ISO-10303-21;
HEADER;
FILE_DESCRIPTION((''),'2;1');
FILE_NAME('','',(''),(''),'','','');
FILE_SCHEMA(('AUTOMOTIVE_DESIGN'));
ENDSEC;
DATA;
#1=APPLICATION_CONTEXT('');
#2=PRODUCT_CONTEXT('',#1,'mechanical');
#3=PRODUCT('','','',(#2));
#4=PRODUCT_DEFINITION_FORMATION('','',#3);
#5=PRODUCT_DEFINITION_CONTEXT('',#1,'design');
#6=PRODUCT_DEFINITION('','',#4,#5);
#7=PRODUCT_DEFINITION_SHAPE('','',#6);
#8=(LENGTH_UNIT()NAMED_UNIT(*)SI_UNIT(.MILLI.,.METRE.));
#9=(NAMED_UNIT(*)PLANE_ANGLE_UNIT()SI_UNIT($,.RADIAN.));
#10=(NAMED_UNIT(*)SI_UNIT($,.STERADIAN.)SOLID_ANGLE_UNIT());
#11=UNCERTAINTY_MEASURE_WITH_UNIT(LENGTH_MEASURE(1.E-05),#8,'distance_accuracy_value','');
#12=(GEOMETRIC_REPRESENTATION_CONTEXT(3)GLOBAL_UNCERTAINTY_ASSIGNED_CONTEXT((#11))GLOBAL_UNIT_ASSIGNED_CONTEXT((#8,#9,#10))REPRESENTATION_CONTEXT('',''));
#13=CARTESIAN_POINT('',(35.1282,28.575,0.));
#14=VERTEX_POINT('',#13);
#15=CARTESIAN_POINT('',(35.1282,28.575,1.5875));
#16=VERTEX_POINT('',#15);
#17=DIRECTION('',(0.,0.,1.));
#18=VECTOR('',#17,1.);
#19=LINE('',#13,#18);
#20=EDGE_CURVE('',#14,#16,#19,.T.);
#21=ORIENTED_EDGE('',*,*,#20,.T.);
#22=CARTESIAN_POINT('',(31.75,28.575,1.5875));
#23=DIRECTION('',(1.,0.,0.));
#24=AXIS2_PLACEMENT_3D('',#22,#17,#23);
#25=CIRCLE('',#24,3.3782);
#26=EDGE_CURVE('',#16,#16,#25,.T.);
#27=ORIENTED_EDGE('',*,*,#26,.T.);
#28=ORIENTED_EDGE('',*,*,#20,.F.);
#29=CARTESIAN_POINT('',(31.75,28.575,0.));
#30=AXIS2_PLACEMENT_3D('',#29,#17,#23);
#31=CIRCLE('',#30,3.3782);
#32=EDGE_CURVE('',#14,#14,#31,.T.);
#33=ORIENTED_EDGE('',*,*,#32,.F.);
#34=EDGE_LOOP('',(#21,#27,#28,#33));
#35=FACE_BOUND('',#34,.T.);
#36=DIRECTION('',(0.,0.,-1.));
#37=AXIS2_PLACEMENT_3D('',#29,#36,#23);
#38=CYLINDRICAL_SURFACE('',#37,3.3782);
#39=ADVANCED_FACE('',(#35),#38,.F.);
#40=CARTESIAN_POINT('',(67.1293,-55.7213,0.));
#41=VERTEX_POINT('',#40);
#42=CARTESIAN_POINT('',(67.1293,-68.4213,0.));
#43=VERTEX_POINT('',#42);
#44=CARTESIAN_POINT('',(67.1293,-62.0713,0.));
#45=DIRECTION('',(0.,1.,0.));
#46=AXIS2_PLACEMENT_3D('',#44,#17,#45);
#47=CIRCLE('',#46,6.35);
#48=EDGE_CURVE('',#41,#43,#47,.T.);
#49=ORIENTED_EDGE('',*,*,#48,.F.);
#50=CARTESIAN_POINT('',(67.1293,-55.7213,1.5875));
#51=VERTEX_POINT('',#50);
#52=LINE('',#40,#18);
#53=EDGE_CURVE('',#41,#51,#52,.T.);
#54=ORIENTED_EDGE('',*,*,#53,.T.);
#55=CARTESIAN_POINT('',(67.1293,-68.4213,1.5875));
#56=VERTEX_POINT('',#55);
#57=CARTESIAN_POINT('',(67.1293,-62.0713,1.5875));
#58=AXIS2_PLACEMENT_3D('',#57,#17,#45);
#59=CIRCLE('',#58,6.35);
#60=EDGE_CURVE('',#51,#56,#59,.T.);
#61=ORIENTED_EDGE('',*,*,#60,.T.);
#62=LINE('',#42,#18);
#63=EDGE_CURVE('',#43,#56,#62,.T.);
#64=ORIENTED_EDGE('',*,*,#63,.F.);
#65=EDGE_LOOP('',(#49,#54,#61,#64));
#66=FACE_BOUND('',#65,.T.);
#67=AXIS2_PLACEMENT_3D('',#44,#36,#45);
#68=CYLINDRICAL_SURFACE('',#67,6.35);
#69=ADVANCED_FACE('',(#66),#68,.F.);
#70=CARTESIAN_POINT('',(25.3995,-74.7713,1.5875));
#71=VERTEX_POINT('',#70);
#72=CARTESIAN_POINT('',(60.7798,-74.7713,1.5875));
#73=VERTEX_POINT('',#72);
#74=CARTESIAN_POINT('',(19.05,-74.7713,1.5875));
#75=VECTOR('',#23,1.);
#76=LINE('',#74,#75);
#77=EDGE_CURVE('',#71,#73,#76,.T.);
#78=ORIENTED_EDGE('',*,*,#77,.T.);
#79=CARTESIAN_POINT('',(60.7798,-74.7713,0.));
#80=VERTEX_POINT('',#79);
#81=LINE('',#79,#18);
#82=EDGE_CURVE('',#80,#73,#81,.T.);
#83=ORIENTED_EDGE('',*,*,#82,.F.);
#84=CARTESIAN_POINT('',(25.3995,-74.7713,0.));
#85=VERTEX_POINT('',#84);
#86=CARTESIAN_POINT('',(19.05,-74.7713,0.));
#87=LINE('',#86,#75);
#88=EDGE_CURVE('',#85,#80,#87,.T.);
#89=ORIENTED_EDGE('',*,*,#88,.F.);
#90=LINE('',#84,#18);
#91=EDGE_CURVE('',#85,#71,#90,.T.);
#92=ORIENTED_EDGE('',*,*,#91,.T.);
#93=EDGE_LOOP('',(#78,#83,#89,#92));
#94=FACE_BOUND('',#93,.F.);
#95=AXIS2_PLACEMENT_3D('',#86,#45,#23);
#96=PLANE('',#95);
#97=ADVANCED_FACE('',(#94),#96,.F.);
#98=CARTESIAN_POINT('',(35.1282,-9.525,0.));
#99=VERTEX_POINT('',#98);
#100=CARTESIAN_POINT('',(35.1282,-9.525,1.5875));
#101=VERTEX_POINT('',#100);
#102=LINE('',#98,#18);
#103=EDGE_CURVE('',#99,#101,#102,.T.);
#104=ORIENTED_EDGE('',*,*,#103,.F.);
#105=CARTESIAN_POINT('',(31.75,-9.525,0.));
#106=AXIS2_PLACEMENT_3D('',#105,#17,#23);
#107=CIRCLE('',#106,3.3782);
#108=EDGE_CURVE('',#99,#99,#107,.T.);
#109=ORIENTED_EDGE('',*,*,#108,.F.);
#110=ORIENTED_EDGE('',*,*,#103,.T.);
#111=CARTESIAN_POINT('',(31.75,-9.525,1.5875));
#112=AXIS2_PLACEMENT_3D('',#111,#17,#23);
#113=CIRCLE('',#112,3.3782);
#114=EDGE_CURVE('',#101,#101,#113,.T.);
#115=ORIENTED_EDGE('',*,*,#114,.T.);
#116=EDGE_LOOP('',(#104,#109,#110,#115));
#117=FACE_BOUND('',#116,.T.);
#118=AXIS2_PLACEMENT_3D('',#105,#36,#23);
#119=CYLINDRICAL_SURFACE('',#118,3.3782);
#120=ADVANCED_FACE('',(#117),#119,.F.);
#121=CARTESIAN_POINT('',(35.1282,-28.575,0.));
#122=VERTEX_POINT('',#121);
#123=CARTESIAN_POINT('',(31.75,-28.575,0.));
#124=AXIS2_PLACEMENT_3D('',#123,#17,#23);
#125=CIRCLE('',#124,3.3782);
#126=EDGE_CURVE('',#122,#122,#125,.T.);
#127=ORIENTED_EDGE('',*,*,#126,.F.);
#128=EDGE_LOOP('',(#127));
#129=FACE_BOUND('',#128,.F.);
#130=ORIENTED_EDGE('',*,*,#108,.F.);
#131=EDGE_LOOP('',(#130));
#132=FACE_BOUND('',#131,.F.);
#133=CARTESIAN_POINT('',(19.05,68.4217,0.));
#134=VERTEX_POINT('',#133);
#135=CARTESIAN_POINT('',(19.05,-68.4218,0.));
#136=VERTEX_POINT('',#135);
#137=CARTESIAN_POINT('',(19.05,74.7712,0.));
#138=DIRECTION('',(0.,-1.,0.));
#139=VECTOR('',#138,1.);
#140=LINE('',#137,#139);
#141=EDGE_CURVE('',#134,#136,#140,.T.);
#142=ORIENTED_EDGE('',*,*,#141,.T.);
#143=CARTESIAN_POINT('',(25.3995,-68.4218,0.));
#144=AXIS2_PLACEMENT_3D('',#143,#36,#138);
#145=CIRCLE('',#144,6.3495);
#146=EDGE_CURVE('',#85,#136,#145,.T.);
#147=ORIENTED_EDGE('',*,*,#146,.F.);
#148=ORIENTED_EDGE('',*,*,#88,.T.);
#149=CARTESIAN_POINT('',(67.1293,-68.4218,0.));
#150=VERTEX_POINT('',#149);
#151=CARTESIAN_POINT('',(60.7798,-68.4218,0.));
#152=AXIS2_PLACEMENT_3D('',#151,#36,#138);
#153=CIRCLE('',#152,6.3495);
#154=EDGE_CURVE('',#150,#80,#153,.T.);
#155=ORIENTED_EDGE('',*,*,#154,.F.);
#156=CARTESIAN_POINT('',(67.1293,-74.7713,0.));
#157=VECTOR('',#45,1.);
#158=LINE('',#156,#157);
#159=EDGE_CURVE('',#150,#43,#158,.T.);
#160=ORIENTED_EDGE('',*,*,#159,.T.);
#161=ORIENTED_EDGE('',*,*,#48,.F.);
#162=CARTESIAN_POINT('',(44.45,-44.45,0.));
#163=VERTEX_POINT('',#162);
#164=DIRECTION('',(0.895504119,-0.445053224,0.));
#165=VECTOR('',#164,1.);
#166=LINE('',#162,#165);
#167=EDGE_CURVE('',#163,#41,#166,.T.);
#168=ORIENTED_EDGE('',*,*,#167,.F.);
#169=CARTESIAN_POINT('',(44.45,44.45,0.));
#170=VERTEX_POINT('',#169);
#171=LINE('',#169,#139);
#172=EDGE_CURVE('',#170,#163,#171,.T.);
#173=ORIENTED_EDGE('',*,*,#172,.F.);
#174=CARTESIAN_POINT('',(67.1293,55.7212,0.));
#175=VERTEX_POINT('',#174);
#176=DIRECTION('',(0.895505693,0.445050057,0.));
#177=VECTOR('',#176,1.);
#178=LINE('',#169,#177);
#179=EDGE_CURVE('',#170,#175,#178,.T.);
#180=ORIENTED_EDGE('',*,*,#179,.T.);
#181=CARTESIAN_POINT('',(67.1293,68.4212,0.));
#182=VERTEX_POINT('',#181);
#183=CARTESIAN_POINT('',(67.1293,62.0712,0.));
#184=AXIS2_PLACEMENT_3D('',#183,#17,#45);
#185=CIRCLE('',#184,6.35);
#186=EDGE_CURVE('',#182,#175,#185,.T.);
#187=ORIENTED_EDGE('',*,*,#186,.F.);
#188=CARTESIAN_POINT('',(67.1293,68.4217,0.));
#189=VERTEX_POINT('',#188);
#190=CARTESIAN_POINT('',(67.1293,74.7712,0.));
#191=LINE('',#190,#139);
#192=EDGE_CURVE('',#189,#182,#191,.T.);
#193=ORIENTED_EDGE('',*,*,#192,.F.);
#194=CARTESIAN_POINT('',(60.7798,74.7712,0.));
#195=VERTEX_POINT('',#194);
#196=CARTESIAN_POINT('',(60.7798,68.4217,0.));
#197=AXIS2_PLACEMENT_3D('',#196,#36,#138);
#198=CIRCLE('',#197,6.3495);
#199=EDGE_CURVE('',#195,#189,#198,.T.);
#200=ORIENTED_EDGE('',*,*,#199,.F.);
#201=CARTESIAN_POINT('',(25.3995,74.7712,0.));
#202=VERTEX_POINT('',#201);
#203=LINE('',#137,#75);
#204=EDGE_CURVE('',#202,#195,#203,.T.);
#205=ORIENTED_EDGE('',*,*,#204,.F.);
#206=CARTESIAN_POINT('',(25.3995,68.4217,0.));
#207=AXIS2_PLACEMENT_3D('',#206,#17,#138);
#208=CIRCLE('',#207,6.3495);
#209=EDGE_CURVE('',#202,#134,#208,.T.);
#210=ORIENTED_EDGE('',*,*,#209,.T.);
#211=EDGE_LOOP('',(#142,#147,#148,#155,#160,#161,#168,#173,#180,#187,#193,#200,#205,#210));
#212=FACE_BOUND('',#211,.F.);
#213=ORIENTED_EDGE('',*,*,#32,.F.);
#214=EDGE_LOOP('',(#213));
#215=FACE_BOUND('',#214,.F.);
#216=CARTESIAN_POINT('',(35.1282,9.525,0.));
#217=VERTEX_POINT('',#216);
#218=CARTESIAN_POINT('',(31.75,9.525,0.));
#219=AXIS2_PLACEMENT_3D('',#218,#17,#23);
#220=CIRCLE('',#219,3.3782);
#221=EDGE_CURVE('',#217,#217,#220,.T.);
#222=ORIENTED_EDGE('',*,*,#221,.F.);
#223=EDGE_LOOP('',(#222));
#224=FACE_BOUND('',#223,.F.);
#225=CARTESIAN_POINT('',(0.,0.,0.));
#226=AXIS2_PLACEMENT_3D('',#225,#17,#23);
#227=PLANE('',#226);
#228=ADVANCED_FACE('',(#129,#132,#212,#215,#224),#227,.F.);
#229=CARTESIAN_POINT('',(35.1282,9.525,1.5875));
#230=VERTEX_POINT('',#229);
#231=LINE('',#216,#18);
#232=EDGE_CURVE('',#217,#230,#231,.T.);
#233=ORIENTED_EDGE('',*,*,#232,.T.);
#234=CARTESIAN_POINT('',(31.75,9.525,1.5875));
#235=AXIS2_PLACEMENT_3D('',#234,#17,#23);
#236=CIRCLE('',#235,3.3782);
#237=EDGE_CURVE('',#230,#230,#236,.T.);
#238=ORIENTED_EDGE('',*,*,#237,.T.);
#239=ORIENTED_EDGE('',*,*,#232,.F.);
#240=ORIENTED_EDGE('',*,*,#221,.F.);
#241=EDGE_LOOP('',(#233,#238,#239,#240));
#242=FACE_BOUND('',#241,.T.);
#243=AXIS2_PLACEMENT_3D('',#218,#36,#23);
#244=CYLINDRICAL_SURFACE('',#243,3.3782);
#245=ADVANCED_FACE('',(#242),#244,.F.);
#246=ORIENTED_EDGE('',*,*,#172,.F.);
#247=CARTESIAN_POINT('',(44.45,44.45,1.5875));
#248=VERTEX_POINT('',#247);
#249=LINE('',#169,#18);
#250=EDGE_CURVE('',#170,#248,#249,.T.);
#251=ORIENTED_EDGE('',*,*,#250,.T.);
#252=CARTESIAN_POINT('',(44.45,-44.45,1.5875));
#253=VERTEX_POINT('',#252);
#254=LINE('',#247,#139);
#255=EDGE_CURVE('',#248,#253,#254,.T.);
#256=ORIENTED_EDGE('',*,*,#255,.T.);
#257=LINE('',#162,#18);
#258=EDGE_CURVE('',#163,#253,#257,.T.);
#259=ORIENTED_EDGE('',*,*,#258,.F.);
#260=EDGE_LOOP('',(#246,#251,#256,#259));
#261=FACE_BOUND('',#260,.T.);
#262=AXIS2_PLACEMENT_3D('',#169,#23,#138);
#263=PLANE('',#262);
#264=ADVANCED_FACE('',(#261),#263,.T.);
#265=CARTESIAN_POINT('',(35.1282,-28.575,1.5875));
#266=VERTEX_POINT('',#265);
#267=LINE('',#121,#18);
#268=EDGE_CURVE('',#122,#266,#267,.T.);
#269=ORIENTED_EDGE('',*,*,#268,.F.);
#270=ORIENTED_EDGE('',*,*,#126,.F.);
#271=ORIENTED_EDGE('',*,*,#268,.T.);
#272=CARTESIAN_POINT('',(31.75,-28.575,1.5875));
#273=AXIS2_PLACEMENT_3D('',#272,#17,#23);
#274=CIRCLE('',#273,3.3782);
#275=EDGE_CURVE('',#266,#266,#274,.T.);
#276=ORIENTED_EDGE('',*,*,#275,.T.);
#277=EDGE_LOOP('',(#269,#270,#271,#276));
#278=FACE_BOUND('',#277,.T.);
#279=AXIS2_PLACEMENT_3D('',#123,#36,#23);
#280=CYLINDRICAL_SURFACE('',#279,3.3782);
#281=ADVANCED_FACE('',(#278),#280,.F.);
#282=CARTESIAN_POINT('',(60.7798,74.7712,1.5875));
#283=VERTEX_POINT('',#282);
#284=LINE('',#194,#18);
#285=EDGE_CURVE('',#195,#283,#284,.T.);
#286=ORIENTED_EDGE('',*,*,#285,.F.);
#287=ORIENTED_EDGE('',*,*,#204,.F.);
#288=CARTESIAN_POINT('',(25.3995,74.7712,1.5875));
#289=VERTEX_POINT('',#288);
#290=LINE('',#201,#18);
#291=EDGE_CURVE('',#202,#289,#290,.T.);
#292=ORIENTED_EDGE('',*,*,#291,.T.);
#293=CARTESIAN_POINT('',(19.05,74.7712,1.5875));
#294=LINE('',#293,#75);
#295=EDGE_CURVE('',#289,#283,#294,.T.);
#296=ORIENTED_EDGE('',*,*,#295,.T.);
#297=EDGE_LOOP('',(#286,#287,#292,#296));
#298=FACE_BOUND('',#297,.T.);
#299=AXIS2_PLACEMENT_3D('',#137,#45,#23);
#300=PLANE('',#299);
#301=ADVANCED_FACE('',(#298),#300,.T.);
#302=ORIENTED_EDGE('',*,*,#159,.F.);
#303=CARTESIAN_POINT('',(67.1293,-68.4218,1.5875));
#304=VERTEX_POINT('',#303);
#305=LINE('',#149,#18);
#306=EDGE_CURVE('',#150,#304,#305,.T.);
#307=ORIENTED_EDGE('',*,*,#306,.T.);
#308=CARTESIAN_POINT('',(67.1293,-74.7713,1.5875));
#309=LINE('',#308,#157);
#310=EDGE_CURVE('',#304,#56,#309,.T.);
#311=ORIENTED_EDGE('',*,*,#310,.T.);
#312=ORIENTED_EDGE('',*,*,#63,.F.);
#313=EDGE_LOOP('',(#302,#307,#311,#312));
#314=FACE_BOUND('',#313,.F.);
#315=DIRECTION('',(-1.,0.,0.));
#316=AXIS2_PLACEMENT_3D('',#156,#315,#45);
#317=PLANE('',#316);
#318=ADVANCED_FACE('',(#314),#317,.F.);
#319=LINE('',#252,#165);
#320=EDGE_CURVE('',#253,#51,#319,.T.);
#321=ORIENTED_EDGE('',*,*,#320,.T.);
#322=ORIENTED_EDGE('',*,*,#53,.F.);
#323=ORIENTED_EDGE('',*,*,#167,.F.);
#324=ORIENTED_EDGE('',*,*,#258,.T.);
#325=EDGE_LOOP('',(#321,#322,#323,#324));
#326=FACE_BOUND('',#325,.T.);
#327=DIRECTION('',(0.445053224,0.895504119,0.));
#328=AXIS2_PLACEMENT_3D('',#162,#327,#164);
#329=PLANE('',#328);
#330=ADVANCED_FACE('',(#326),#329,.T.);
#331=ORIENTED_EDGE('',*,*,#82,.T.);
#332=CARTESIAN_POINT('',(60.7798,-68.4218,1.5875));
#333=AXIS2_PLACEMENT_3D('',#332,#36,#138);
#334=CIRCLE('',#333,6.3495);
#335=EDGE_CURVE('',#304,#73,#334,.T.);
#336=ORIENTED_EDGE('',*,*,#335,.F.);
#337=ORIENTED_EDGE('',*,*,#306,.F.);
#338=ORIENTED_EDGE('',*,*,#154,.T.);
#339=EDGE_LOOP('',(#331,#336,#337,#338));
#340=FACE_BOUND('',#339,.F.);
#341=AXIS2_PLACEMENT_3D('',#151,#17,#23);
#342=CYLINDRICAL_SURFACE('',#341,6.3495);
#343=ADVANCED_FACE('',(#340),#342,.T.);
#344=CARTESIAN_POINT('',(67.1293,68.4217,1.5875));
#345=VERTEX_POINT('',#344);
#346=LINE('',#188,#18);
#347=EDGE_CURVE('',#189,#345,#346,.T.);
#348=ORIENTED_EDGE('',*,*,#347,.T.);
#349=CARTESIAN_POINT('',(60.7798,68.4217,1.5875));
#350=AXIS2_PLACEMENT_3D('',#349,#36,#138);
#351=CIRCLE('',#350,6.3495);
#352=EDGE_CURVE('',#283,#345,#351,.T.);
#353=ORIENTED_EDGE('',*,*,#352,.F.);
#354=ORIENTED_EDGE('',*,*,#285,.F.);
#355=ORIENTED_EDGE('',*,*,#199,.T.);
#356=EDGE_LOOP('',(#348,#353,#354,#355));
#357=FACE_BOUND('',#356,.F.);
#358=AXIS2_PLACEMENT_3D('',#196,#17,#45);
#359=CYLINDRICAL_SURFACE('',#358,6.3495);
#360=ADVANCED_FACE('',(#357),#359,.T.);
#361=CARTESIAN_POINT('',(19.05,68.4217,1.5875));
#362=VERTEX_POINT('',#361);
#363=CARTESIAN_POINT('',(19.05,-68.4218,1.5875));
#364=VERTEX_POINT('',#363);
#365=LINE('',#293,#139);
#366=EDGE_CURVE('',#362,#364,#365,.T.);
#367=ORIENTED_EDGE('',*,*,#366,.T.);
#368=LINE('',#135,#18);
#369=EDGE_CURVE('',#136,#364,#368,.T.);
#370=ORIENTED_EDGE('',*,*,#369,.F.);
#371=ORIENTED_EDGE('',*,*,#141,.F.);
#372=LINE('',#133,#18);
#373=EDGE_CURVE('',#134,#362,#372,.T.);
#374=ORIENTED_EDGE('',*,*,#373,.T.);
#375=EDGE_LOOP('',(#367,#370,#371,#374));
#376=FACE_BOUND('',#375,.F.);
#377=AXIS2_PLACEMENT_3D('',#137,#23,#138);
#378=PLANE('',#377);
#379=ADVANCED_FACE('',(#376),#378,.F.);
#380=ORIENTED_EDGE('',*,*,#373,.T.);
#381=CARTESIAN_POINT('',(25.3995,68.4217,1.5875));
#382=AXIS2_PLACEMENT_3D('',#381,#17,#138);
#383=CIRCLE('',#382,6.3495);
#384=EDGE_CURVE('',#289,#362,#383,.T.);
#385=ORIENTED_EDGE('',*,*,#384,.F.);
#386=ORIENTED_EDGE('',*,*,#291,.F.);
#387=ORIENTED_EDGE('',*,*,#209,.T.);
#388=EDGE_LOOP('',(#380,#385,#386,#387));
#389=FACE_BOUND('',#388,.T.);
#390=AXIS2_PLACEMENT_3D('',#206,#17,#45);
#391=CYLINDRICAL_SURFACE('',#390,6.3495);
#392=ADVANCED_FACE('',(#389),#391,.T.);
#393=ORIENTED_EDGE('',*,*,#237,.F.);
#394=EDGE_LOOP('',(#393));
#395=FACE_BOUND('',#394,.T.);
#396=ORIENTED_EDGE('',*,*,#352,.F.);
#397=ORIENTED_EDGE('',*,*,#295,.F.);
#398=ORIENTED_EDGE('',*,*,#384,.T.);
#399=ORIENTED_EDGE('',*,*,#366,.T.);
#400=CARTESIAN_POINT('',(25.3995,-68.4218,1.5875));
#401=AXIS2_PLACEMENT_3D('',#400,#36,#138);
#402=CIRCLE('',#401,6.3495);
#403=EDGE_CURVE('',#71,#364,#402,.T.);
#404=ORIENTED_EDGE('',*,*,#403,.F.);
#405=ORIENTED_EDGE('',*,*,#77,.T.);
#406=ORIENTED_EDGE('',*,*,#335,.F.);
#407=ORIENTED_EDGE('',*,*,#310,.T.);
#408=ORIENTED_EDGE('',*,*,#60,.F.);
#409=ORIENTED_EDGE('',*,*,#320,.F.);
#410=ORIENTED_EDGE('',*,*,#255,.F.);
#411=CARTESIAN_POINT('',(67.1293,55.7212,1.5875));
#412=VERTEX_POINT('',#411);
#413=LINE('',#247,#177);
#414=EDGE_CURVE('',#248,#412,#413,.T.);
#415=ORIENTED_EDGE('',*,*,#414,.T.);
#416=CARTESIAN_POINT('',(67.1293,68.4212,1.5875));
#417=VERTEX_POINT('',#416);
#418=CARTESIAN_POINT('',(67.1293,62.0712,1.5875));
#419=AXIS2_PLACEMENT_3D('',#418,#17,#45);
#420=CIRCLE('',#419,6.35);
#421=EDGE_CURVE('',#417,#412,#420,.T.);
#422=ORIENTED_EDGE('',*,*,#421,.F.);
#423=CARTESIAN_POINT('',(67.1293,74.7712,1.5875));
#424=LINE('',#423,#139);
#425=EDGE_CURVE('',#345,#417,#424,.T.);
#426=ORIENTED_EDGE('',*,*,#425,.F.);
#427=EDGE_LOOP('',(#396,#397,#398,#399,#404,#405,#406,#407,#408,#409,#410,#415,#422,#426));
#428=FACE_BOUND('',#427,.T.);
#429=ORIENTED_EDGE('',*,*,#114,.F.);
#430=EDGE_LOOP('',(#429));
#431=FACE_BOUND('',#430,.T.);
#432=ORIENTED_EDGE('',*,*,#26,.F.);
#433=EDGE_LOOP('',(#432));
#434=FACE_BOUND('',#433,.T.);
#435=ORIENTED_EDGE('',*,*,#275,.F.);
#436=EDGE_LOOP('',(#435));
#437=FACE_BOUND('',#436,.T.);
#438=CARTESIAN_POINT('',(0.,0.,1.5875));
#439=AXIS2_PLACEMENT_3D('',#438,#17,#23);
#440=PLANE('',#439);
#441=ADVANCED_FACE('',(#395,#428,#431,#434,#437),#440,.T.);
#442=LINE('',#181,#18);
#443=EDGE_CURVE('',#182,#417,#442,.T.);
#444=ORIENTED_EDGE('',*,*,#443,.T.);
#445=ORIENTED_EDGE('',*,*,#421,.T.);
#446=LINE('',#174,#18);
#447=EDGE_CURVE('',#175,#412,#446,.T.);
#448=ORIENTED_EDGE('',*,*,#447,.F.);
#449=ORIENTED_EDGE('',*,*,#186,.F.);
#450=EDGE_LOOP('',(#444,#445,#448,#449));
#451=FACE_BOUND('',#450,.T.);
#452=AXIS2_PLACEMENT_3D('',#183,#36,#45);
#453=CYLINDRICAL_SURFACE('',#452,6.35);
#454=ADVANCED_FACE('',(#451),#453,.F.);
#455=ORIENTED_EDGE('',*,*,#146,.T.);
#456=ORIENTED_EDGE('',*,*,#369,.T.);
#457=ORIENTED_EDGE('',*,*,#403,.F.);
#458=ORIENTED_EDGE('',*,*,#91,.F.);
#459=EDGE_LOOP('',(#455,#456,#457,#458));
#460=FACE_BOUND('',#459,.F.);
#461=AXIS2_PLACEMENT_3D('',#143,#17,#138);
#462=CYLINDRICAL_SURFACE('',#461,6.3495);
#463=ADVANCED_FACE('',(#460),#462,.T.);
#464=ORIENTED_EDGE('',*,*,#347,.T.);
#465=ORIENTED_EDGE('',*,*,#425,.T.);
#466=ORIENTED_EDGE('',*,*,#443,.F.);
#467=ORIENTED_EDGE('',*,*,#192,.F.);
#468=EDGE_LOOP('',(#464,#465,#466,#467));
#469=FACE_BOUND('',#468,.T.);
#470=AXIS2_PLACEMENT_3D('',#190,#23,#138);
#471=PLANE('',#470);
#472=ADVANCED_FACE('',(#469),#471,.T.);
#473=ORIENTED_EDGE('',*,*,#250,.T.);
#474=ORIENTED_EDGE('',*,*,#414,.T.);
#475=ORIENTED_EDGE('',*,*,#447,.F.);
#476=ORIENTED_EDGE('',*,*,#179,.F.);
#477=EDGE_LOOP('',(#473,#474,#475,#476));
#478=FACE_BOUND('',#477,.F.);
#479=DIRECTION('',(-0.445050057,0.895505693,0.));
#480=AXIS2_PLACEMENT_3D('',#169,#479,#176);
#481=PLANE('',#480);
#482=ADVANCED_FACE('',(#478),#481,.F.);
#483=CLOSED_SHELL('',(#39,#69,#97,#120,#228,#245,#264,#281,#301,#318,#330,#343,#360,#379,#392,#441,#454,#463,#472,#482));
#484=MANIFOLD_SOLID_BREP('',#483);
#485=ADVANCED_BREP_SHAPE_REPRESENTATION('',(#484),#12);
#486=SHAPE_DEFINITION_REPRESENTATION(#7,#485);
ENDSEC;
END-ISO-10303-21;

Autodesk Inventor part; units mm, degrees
ref_plane "YZ Plane" through (0, 0, 0) normal (1, 0, 0) x (0, 1, 0)
ref_plane "XZ Plane" through (0, 0, 0) normal (0, 1, 0) x (-1, 0, 0)
ref_plane "XY Plane" through (0, 0, 0) normal (0, 0, 1) x (1, 0, 0)
sketch "Sketch1" plane through (0, 0, 0) normal (0, 0, 1) x (1, 0, 0)
  circle A0 centre (31.75, 28.575) radius 3.3782 projected
  circle A1 centre (31.75, 9.525) radius 3.3782 projected
  circle A2 centre (31.75, -9.525) radius 3.3782 projected
  circle A3 centre (31.75, -28.575) radius 3.3782 projected
  circle A4 centre (67.1293, 62.0712) radius 6.35 construction
  circle A5 centre (67.1293, -62.0713) radius 6.35 construction
  line L0 (19.05, 74.7712) -> (19.05, -74.7713)
  line L1 (19.05, -74.7713) -> (67.1293, -74.7713)
  line L2 (67.1293, -74.7713) -> (67.1293, -68.4213)
  line L3 (19.05, 74.7712) -> (67.1293, 74.7712)
  line L4 (67.1293, 74.7712) -> (67.1293, 68.4212)
  line L5 (67.1293, 62.0712) -> (67.1293, 55.7212) construction
  line L6 (67.1293, -55.7213) -> (67.1293, -62.0713) construction
  line L7 (44.45, 44.45) -> (44.45, -44.45)
  line L8 (44.45, -44.45) -> (67.1293, -55.7213)
  line L9 (44.45, 44.45) -> (67.1293, 55.7212)
  arc A6 (67.1293, 68.4212) -> (67.1293, 55.7212) centre (67.1293, 62.0712) ccw
  line L10 (67.1293, 68.4212) -> (67.1293, 62.0712) construction
  arc A7 (67.1293, -55.7213) -> (67.1293, -68.4213) centre (67.1293, -62.0713) ccw
  line L11 (67.1293, -62.0713) -> (67.1293, -68.4213) construction
  point P0 (0, 0)
  dimension "d0" = 88.9
  dimension "d2" = 12.7
  dimension "d3" = 12.7
  dimension "d4" = 12.7
  dimension "d5" = 12.7
extrude "Extrusion1" add sketch "Sketch1" along normal blind 1.5875
fillet "Fillet1" radius 6.35 4 edges at (67.1293, 74.7712, 0.7937) (67.1293, -74.7713, 0.7937) (19.05, -74.7713, 0.7937) (19.05, 74.7712, 0.7937)
equation "\"d4\" = d3"
equation "\"d5\" = d2"
properties part number "V5 Shooter Guide Rail Support Plate" material "Aluminum-6061"
